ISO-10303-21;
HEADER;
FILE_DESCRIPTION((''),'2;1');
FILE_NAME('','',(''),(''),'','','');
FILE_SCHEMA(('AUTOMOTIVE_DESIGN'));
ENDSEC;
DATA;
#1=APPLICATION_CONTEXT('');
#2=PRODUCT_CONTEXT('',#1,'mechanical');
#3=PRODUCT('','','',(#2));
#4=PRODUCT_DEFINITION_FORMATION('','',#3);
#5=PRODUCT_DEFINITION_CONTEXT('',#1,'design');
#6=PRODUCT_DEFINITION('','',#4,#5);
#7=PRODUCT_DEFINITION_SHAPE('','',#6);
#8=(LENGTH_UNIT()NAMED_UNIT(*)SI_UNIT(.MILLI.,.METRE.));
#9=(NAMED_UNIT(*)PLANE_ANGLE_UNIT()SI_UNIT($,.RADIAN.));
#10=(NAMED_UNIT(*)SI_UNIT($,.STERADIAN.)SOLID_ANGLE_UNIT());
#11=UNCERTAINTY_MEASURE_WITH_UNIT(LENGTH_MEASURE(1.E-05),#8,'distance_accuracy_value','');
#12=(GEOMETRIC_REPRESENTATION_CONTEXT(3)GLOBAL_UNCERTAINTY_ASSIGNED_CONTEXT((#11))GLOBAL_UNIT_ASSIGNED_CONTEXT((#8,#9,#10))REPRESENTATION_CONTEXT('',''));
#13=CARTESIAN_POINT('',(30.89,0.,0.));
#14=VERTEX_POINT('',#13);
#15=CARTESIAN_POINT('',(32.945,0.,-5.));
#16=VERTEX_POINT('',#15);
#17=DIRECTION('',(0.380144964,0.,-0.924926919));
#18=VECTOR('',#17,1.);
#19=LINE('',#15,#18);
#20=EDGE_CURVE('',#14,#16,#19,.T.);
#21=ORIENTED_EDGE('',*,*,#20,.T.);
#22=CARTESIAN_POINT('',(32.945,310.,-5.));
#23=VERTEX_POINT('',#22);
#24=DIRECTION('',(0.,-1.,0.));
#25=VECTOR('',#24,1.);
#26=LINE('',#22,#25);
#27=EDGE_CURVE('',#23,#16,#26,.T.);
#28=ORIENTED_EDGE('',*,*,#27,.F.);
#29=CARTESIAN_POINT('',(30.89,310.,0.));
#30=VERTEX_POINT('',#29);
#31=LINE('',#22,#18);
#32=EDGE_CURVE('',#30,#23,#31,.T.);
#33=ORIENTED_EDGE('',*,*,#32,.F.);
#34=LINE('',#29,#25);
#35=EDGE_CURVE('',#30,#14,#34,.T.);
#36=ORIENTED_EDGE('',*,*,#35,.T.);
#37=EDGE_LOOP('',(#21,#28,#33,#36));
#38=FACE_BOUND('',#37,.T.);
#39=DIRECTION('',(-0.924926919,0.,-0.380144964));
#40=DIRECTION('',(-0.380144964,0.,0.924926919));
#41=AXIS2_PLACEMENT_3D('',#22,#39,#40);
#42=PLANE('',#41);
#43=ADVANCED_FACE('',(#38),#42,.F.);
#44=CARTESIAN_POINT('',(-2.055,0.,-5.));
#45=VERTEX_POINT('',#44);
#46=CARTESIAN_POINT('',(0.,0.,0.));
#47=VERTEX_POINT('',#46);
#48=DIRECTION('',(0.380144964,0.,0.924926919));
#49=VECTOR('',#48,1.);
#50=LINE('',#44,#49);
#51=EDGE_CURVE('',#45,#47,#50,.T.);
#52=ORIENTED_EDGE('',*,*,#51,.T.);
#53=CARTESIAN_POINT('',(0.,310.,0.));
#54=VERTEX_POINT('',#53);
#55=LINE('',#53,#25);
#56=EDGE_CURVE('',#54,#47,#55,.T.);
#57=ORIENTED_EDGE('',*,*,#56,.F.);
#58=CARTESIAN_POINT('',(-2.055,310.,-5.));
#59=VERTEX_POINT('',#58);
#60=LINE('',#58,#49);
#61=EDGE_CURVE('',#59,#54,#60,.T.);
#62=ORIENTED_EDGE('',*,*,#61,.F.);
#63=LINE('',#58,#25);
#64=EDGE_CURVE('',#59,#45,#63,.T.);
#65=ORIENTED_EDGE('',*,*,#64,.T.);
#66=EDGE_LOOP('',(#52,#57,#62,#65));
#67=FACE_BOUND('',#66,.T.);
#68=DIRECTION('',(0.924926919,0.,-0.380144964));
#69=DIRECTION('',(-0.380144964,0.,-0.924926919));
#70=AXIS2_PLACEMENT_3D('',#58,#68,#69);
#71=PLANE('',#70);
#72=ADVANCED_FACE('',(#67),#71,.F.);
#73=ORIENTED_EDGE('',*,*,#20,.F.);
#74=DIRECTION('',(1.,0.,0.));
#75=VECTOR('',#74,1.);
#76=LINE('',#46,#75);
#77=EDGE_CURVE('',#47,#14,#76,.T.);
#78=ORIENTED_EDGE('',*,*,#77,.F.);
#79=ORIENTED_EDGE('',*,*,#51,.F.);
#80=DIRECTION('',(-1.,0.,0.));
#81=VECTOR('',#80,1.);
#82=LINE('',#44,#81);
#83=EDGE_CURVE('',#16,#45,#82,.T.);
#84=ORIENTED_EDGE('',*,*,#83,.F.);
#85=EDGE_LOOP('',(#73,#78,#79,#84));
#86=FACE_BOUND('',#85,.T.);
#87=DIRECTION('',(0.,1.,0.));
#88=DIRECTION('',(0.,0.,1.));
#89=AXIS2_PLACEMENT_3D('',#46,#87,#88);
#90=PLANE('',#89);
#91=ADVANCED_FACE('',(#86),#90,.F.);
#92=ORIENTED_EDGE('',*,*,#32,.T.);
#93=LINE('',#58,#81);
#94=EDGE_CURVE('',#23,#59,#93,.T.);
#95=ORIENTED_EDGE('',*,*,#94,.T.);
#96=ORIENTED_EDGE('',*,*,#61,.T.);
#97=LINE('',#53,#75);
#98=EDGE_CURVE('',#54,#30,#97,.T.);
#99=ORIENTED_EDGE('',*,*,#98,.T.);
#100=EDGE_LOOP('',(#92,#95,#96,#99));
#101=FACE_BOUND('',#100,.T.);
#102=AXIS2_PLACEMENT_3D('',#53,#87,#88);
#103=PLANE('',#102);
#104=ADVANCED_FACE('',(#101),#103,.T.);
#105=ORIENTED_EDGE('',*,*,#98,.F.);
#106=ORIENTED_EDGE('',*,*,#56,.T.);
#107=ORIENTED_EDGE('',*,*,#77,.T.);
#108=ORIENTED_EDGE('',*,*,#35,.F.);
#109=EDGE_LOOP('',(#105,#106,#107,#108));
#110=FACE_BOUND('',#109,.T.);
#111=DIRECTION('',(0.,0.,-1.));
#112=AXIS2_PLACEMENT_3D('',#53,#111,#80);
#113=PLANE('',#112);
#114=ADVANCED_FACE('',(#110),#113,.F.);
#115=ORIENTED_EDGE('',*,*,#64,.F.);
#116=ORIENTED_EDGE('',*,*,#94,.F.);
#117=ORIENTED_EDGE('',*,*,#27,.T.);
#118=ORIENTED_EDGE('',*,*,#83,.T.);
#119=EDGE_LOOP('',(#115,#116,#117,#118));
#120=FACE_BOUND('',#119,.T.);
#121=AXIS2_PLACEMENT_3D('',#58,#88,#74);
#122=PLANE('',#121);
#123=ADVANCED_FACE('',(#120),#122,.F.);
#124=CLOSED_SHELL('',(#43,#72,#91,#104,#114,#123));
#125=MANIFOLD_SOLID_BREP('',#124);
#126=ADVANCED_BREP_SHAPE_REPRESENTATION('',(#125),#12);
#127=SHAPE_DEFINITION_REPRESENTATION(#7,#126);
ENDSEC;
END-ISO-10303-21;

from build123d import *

# Parameters (mm, degrees)
BOSS_EXTRU_1_DEPTH = 310


with BuildPart() as part:
    # Esquisse1 → Boss.-Extru.1 (new body)
    with BuildSketch(Plane(origin=(0, 0, 0), x_dir=(1, 0, 0), z_dir=(0, 1, 0))):
        Polygon((0, 0), (30.89, 0), (32.945, 5), (-2.055, 5), align=None)
    extrude(amount=BOSS_EXTRU_1_DEPTH)


solid = part.part
